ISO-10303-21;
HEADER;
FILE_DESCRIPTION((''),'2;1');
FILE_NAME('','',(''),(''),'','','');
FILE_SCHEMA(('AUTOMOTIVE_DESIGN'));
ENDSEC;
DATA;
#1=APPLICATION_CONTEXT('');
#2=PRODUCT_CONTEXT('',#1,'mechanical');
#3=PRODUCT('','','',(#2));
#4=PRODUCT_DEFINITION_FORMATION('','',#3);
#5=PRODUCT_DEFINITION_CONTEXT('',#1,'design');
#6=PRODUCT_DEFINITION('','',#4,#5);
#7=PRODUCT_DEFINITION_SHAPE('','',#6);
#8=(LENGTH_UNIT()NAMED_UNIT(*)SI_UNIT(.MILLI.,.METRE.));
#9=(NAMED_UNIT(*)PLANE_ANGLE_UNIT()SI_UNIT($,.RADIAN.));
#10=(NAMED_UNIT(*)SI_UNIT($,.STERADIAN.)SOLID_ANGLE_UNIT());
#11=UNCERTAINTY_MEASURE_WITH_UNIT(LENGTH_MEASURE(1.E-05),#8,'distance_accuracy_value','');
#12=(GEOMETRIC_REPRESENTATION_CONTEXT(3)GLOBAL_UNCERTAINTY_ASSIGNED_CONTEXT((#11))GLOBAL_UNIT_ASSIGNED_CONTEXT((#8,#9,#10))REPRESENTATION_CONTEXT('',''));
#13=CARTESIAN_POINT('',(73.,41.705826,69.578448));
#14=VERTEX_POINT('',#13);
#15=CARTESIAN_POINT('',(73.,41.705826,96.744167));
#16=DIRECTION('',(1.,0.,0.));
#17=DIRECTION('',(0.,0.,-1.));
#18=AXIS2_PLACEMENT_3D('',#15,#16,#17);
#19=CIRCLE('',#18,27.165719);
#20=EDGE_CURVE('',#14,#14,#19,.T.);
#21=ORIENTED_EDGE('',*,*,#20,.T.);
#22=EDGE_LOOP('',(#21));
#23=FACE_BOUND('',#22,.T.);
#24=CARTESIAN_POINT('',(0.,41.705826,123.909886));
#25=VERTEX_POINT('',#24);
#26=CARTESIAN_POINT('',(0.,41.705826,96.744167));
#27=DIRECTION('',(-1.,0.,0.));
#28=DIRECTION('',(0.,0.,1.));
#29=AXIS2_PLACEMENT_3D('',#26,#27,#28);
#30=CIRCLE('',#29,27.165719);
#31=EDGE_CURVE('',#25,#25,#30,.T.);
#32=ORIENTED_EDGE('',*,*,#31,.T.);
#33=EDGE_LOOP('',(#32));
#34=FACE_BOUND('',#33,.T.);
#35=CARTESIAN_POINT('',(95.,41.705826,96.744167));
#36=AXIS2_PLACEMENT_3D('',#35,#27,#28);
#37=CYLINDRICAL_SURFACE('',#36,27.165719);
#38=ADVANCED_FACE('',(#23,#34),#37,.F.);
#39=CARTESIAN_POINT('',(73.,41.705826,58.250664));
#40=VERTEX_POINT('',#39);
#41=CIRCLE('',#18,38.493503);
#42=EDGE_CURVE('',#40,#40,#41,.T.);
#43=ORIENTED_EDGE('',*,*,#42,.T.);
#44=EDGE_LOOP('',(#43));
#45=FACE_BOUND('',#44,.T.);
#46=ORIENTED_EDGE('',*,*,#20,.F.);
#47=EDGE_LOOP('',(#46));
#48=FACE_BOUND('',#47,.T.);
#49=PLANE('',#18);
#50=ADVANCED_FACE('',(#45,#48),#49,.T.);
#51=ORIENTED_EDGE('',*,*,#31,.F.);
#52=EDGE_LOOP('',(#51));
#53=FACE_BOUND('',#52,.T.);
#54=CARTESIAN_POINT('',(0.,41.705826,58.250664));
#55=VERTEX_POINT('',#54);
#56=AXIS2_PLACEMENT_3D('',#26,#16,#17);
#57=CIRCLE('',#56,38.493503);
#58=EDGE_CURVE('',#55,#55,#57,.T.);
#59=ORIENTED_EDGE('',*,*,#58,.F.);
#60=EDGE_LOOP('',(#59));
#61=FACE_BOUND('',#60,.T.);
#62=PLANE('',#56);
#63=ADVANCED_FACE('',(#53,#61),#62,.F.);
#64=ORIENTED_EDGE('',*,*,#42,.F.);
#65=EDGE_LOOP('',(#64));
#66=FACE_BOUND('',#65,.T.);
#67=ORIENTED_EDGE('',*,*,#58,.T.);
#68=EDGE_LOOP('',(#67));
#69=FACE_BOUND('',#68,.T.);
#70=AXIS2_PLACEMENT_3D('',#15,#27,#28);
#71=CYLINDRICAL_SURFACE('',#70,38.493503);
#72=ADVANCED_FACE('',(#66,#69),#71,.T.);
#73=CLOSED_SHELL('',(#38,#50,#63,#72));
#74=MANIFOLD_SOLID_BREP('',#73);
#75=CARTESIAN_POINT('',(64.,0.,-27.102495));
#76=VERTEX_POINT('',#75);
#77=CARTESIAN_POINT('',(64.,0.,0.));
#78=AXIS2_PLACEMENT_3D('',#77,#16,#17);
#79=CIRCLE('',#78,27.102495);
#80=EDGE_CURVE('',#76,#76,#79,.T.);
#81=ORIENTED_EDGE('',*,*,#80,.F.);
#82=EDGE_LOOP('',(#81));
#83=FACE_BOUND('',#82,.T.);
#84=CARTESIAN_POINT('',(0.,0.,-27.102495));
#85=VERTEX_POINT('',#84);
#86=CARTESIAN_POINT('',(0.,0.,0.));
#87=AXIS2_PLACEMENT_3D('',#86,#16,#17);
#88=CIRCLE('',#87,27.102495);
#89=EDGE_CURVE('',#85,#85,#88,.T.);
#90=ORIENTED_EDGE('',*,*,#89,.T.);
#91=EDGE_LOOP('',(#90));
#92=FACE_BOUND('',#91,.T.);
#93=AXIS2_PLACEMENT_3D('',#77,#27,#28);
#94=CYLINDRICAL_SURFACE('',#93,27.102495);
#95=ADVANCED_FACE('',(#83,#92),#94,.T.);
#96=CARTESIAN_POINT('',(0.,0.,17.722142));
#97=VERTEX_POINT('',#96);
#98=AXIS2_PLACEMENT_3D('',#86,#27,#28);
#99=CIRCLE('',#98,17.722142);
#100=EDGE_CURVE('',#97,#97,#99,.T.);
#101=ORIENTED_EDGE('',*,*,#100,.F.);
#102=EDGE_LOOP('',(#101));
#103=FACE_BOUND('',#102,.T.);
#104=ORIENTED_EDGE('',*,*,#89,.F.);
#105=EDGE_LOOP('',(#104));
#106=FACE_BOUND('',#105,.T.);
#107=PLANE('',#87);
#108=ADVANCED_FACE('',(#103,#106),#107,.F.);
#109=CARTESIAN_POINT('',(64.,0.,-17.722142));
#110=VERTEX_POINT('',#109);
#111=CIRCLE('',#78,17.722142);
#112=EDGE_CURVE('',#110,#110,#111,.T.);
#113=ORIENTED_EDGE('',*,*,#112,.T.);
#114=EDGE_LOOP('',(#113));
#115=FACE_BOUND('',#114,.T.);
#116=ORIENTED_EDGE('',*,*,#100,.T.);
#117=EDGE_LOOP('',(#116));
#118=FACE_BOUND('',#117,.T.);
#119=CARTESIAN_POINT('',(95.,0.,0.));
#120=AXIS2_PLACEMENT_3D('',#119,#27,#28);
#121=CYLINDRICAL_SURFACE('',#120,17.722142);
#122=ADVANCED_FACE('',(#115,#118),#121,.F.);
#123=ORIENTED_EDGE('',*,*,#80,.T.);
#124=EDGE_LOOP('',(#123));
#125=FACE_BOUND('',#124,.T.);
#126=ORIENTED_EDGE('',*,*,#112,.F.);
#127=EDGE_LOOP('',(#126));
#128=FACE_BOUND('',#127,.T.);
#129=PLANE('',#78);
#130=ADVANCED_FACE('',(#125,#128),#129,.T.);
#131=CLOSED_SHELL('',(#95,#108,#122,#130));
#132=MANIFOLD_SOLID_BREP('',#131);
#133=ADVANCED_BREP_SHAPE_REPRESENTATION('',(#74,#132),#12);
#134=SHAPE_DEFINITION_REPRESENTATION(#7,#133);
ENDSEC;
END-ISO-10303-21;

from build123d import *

# Parameters (mm, degrees)
SKETCH2_R           = 27.102495449
BOSS_EXTRUDE1_DEPTH = 64
SKETCH3_R           = 38.493502763
BOSS_EXTRUDE2_DEPTH = 73
SKETCH7_R           = 17.722141742
CUT_EXTRUDE1_DEPTH  = 95
SKETCH8_R           = 27.165719082
CUT_EXTRUDE2_DEPTH  = 95


with BuildPart() as part:
    # Sketch2 → Boss-Extrude1 (new body)
    with BuildSketch(Plane(origin=(0, 0, 0), x_dir=(0, 0, -1), z_dir=(1, 0, 0))):
        Circle(SKETCH2_R)
    extrude(amount=BOSS_EXTRUDE1_DEPTH)

    # Sketch7 → Cut-Extrude1 (cut)
    with BuildSketch(Plane.ZY):
        Circle(SKETCH7_R)
    extrude(amount=-CUT_EXTRUDE1_DEPTH, mode=Mode.SUBTRACT)


with BuildPart() as body_2:
    # Sketch3 → Boss-Extrude2 (new body)
    with BuildSketch(Plane(origin=(0, 0, 0), x_dir=(0, 0, -1), z_dir=(1, 0, 0))):
        with Locations((-96.74416718, 41.705825758)):
            Circle(SKETCH3_R)
    extrude(amount=BOSS_EXTRUDE2_DEPTH)

    # Sketch8 → Cut-Extrude2 (cut)
    with BuildSketch(Plane.ZY):
        with Locations((96.74416718, 41.705825758)):
            Circle(SKETCH8_R)
    extrude(amount=-CUT_EXTRUDE2_DEPTH, mode=Mode.SUBTRACT)


solid = Compound([part.part, body_2.part])
